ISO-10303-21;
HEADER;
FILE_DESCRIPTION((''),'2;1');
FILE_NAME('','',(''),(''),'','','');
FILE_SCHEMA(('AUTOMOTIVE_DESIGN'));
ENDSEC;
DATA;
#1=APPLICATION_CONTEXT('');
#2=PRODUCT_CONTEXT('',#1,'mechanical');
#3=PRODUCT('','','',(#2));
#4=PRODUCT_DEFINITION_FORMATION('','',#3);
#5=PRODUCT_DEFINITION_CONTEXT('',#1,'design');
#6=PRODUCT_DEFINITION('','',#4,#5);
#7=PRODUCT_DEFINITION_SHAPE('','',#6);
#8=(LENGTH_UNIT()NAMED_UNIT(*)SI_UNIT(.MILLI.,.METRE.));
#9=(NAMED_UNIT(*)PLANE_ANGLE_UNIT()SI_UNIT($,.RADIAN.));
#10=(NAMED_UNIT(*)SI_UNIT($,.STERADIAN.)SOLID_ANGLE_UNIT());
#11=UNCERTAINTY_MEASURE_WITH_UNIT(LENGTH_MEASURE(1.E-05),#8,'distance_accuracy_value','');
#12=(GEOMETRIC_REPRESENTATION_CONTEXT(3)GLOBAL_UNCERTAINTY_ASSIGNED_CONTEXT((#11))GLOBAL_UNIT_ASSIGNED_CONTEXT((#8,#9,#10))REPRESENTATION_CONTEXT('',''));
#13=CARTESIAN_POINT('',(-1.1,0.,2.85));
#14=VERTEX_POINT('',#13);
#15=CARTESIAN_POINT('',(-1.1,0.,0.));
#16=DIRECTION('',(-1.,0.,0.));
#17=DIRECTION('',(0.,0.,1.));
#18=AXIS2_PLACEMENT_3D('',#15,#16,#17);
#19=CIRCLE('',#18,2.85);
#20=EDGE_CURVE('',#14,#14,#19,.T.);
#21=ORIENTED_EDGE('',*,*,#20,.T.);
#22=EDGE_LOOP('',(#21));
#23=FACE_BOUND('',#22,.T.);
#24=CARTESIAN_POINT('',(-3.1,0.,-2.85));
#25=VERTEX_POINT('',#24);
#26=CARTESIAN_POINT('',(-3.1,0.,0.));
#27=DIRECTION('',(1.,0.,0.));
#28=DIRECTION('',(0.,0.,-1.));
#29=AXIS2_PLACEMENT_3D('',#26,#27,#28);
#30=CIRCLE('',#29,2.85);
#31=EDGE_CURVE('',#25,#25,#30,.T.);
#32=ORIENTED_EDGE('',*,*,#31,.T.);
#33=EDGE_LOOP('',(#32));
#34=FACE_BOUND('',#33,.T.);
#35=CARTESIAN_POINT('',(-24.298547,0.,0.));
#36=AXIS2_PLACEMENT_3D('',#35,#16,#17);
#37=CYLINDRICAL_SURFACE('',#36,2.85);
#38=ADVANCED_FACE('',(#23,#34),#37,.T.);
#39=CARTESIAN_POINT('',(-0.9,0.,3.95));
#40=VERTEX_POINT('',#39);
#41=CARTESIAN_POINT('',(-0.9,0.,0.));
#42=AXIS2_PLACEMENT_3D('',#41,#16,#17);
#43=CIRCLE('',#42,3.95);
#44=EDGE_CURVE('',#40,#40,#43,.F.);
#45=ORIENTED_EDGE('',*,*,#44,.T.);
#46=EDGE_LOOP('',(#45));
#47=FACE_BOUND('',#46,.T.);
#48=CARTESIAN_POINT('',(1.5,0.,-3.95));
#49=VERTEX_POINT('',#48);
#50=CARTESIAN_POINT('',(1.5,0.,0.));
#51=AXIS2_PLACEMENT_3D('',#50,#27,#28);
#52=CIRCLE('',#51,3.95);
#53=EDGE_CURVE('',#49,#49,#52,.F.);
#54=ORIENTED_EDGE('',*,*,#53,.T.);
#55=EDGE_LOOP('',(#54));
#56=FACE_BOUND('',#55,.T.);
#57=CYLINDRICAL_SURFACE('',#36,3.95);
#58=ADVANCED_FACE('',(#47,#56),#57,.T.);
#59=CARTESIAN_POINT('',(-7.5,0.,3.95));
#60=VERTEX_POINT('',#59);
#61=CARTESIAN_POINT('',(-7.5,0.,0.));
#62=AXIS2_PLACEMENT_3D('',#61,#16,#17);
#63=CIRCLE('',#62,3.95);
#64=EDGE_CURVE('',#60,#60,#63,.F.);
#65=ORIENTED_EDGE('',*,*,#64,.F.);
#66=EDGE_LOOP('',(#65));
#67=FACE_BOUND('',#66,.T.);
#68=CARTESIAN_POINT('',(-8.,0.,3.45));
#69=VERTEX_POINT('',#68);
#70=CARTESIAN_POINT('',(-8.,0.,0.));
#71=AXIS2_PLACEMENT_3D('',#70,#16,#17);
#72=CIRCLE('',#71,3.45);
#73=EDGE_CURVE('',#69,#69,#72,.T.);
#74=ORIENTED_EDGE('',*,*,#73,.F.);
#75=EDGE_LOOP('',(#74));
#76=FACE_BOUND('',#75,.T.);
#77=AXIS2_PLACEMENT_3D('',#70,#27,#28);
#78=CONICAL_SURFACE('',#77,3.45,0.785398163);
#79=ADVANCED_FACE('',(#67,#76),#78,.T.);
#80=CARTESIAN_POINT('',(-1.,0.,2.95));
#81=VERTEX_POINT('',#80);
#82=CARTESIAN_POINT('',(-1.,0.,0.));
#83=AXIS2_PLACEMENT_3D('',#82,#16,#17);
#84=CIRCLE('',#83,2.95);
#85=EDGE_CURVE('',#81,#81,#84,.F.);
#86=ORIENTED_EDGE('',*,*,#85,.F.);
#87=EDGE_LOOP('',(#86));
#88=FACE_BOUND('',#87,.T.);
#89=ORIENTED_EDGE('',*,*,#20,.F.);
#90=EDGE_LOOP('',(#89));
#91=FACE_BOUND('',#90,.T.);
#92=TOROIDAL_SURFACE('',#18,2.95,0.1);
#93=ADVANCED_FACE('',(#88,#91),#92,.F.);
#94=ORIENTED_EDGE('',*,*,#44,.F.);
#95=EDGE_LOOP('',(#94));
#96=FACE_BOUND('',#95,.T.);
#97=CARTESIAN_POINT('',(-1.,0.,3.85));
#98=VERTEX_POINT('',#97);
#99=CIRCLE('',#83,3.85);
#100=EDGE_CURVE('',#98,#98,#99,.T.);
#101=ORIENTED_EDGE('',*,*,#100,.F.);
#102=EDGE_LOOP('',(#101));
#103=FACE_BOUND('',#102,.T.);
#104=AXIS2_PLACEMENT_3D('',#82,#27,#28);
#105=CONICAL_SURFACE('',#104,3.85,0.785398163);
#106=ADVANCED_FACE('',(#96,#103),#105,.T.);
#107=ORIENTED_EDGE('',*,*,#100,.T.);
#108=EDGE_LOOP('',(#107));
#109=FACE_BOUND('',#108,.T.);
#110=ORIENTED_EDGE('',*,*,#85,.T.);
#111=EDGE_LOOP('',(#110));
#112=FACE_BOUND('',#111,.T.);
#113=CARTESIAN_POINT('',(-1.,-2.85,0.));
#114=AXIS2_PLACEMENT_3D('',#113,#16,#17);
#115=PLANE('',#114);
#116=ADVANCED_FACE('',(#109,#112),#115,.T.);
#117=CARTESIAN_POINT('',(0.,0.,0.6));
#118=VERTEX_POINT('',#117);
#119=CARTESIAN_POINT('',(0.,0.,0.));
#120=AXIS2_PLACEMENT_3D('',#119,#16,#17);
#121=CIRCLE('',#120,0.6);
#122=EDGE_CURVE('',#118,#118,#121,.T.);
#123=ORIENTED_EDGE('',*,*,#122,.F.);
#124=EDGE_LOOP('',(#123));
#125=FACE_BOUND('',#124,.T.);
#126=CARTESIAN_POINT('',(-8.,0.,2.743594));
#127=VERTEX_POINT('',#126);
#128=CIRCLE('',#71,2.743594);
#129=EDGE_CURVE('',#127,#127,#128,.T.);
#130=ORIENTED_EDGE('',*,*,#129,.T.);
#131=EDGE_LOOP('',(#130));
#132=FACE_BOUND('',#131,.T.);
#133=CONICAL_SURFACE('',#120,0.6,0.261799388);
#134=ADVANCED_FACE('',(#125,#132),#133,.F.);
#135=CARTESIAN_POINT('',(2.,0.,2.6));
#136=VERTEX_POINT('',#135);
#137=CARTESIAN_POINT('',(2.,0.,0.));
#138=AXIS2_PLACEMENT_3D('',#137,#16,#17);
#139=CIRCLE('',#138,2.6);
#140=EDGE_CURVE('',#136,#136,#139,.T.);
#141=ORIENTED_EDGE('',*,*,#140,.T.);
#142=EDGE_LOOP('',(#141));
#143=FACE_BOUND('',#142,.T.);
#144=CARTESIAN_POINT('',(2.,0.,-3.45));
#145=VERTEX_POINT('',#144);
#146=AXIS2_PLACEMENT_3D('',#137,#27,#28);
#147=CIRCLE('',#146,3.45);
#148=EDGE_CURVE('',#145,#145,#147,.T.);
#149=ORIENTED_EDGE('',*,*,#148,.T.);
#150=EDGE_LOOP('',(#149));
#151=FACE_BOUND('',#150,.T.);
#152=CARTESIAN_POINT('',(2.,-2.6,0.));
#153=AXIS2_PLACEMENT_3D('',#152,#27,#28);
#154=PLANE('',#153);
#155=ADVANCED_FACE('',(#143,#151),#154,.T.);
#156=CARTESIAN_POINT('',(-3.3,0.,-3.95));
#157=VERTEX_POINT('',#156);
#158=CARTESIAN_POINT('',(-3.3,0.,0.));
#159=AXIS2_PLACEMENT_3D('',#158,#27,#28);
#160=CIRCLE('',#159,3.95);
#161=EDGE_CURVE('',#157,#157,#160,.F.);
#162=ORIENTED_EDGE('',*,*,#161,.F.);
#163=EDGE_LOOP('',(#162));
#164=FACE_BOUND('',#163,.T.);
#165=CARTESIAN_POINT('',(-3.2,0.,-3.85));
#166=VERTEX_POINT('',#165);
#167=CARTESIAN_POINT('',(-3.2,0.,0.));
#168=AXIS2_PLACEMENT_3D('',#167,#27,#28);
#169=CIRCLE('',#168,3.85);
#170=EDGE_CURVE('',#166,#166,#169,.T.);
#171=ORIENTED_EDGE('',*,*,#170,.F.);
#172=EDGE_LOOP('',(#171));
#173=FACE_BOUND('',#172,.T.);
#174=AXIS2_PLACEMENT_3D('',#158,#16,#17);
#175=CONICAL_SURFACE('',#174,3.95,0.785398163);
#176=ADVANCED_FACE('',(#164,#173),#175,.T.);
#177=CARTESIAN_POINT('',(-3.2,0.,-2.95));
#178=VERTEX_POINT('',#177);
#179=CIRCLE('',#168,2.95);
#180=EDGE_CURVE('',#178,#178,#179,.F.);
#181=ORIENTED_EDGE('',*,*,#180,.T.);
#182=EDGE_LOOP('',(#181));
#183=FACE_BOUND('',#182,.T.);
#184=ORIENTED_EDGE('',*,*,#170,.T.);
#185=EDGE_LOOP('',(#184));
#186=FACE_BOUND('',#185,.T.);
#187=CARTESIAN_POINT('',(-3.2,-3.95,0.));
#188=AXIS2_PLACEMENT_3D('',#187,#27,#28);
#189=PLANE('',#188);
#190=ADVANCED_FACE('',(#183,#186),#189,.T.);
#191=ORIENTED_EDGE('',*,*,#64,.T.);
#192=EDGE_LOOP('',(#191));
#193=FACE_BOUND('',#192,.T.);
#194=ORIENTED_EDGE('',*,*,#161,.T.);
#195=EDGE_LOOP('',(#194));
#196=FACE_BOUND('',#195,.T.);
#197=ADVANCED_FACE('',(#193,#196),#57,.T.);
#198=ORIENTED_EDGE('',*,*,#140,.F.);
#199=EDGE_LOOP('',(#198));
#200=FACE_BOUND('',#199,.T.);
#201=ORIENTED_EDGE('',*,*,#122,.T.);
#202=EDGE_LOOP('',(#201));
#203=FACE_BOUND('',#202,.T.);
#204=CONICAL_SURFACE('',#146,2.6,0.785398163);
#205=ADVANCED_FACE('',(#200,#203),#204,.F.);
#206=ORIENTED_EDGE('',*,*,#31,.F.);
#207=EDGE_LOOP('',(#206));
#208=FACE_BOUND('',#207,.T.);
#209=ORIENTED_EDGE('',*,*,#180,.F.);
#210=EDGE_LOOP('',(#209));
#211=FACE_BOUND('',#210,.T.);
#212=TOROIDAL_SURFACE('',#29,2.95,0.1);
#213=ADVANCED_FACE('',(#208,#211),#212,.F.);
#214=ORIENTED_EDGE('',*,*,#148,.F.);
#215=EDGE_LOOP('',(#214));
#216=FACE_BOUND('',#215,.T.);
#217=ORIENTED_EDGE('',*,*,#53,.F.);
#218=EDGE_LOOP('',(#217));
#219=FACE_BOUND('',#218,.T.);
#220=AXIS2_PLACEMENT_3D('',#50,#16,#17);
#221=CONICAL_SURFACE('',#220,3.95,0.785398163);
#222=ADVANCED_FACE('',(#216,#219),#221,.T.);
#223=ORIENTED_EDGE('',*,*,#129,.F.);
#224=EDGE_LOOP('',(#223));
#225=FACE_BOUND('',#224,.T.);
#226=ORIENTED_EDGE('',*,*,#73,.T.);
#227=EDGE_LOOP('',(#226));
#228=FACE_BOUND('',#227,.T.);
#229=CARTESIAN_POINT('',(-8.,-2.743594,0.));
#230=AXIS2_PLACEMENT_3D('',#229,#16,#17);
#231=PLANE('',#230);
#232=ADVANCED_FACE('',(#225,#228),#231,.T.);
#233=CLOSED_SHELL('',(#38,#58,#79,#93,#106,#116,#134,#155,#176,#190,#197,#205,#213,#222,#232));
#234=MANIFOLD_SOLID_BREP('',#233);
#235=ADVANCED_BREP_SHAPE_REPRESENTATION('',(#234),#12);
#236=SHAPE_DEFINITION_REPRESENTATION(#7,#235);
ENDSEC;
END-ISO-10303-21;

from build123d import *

# Parameters (mm, degrees)
CHAMFER1_SIZE = 0.5
FILLET1_R     = 0.1
CHAMFER2_SIZE = 0.1


with BuildPart() as part:
    # Sketch1 → Revolve1 (revolve)
    with BuildSketch(Plane.XY):
        Polygon((-8, -2.743593539), (-8, -3.95), (-3.2, -3.95), (-3.2, -2.85), (-1, -2.85), (-1, -3.95), (2, -3.95), (2, -2.6), (0, -0.6), align=None)
    revolve(axis=Axis((-24.298547045, 0, 0), (1, 0, 0)))

    # Chamfer1
    chamfer1_edges = [part.edges().sort_by_distance(p)[0] for p in [
        (-8, 3.95, 0),
        (2, 3.95, 0),
    ]]
    chamfer(chamfer1_edges, length=CHAMFER1_SIZE)

    # Fillet1
    fillet1_edges = [part.edges().sort_by_distance(p)[0] for p in [
        (-1, 2.85, 0),
        (-3.2, 2.85, 0),
    ]]
    fillet(fillet1_edges, radius=FILLET1_R)

    # Chamfer2
    chamfer2_edges = [part.edges().sort_by_distance(p)[0] for p in [
        (-3.2, 3.95, 0),
        (-1, 3.95, 0),
    ]]
    chamfer(chamfer2_edges, length=CHAMFER2_SIZE)


solid = part.part
